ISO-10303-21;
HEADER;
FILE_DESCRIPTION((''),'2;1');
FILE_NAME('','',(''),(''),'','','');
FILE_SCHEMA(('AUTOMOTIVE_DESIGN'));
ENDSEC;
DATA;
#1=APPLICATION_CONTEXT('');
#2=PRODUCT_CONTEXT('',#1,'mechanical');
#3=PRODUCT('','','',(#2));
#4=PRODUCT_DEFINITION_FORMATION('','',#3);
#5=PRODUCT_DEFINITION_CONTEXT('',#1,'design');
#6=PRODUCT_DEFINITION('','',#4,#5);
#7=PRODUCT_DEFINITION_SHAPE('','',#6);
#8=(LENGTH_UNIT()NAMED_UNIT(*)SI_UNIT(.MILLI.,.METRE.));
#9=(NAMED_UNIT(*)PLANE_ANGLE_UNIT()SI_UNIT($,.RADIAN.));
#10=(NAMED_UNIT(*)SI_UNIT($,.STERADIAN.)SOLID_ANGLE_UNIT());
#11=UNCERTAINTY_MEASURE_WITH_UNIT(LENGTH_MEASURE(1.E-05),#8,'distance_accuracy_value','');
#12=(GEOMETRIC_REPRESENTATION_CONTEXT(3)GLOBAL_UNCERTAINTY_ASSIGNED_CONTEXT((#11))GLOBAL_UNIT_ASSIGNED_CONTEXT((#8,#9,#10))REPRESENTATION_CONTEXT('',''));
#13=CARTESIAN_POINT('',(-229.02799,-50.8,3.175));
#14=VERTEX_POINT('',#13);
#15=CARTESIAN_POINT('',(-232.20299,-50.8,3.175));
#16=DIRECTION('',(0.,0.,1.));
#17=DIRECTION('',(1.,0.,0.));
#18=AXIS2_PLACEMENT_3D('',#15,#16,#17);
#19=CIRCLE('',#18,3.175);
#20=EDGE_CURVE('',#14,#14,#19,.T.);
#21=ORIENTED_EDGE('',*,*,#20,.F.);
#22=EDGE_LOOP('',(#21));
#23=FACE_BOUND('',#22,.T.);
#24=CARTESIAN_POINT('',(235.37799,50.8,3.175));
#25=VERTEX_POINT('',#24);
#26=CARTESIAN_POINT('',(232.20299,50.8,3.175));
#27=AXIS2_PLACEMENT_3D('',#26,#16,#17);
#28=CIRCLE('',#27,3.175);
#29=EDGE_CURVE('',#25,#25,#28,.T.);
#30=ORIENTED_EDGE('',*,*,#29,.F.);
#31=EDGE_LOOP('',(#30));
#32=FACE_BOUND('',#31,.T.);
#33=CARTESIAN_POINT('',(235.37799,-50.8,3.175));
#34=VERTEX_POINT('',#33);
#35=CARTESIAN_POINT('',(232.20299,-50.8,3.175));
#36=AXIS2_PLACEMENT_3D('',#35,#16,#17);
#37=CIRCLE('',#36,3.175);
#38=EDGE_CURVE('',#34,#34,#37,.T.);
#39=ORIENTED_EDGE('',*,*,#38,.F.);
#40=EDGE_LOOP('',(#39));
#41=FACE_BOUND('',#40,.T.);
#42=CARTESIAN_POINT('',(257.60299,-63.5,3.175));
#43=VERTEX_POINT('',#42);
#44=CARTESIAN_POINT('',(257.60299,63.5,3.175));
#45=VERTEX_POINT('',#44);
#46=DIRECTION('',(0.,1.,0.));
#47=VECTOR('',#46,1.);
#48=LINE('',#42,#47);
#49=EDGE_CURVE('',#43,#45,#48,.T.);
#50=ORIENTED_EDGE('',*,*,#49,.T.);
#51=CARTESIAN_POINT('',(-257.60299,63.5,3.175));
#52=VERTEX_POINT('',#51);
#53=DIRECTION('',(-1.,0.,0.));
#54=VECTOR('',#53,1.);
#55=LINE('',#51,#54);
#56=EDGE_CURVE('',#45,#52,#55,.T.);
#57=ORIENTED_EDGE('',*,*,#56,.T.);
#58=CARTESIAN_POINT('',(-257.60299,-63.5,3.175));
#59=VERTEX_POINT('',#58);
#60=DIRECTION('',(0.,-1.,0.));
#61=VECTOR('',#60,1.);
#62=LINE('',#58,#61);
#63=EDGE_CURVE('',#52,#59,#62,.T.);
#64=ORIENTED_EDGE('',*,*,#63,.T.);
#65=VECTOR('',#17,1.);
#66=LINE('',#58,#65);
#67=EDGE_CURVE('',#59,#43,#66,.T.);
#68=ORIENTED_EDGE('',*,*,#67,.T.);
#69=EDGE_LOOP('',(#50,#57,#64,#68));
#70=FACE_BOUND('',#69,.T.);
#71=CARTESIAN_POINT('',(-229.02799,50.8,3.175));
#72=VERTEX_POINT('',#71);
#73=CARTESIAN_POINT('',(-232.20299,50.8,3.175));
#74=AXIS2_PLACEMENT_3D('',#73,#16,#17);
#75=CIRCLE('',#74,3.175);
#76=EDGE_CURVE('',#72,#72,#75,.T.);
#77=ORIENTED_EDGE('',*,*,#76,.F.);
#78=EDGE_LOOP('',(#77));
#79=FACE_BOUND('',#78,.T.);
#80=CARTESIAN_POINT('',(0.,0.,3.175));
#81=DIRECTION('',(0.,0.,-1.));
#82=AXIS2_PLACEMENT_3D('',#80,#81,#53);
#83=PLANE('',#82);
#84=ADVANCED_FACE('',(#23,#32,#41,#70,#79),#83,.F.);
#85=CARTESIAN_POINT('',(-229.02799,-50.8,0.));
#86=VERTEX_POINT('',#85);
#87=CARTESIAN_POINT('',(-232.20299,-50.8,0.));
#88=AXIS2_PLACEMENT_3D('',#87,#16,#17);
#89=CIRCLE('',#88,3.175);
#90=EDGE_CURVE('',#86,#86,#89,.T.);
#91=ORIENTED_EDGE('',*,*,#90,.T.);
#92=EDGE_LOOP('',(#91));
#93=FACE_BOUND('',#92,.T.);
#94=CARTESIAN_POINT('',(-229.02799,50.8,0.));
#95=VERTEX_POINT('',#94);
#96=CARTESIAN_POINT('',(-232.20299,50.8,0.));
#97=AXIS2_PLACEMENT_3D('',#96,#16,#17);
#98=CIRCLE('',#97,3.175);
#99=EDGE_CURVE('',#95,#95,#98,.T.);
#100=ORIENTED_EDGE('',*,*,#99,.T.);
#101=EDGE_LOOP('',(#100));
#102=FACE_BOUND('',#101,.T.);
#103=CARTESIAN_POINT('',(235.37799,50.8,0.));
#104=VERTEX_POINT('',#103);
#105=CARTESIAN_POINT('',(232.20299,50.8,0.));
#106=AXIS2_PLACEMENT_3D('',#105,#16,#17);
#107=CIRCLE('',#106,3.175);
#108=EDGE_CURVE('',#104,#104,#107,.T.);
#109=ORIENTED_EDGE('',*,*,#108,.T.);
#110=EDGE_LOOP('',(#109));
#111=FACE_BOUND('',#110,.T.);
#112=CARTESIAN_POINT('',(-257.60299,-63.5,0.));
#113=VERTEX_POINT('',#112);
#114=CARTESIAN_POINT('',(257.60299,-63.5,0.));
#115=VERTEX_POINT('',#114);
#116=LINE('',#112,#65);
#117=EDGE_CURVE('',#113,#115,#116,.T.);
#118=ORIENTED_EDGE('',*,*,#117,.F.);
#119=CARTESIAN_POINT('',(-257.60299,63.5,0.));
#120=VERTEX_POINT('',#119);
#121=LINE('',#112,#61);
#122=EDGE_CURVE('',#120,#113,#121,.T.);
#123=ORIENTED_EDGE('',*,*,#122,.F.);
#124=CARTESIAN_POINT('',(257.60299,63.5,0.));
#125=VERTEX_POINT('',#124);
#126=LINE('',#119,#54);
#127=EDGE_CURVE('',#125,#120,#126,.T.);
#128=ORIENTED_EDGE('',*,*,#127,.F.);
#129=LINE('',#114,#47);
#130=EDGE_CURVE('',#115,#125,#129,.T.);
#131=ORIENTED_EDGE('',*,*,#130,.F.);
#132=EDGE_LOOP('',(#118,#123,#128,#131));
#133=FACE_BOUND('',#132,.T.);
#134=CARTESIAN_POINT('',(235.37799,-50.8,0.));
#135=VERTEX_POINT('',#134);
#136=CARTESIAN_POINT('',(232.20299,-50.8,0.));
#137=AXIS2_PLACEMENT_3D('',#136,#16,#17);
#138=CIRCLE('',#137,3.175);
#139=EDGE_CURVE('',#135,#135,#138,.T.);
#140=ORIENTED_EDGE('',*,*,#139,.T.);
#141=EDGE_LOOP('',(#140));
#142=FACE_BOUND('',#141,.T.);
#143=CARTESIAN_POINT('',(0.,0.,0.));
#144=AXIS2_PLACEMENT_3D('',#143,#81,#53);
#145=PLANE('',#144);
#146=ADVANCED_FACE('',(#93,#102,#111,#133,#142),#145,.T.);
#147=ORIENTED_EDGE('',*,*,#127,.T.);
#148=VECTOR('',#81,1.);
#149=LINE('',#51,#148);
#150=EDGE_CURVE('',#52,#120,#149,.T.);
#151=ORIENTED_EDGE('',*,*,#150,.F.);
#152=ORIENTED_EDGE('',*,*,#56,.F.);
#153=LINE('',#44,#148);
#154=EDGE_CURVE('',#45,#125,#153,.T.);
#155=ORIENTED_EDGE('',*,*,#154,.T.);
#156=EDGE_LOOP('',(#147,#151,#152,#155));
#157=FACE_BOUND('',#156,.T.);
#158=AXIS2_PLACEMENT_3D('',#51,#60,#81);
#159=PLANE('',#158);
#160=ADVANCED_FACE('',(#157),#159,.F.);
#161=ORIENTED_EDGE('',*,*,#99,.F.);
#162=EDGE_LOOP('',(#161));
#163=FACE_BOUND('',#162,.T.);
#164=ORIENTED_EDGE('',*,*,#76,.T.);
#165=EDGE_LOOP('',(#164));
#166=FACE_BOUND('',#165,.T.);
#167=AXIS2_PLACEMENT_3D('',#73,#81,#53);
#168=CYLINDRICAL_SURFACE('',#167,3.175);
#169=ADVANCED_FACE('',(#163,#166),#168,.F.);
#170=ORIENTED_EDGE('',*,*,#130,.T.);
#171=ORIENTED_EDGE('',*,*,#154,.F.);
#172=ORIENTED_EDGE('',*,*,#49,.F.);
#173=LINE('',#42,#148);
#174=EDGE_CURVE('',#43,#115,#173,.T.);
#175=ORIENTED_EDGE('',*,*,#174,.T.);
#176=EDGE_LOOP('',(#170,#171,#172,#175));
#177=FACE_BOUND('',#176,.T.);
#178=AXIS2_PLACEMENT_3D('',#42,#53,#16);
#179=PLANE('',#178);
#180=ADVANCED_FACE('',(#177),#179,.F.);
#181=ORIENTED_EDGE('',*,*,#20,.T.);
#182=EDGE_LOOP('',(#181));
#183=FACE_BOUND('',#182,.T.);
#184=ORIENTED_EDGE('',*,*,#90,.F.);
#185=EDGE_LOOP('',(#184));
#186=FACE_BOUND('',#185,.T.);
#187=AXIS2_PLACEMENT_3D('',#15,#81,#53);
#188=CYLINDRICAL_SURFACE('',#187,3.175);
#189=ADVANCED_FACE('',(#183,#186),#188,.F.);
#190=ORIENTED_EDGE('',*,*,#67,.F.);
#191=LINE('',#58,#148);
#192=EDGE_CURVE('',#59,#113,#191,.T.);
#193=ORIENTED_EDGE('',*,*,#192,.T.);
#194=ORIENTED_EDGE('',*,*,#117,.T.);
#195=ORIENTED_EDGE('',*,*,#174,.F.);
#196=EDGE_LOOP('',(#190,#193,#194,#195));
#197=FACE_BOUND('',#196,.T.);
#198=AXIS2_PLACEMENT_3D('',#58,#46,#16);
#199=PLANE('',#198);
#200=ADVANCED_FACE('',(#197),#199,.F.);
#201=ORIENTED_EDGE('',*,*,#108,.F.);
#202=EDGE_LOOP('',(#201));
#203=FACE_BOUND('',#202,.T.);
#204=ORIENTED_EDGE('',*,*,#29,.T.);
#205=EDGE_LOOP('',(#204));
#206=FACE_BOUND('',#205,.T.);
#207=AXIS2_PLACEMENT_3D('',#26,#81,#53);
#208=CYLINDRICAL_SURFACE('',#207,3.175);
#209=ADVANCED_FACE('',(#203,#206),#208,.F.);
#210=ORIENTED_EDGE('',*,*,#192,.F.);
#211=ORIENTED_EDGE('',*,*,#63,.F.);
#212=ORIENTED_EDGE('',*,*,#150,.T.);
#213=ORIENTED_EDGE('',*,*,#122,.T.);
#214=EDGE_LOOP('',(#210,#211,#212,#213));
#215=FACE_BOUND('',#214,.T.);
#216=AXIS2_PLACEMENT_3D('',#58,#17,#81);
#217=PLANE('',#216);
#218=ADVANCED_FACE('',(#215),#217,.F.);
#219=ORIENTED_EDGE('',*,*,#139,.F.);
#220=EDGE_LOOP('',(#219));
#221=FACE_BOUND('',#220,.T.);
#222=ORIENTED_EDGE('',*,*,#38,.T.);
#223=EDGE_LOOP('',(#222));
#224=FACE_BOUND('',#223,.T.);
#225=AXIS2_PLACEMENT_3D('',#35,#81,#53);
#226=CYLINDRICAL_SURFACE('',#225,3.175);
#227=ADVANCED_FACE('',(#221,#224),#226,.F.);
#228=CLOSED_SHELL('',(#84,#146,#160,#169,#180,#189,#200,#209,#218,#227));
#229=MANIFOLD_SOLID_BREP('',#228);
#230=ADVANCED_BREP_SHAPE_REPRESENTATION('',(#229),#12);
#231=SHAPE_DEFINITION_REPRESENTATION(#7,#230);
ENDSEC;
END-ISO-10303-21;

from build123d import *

# Parameters (mm, degrees)
SKETCH1_W           = 515.20598
SKETCH1_H           = 127
SKETCH1_R           = 3.175
BOSS_EXTRUDE1_DEPTH = 3.175


with BuildPart() as part:
    # Sketch1 → Boss-Extrude1 (new body)
    with BuildSketch(Plane.XY):
        Rectangle(SKETCH1_W, SKETCH1_H)
        with Locations((-232.20299, 50.8)):
            Circle(SKETCH1_R, mode=Mode.SUBTRACT)
        with Locations((-232.20299, -50.8)):
            Circle(SKETCH1_R, mode=Mode.SUBTRACT)
        with Locations((232.20299, -50.8)):
            Circle(SKETCH1_R, mode=Mode.SUBTRACT)
        with Locations((232.20299, 50.8)):
            Circle(SKETCH1_R, mode=Mode.SUBTRACT)
    extrude(amount=BOSS_EXTRUDE1_DEPTH)


solid = part.part
